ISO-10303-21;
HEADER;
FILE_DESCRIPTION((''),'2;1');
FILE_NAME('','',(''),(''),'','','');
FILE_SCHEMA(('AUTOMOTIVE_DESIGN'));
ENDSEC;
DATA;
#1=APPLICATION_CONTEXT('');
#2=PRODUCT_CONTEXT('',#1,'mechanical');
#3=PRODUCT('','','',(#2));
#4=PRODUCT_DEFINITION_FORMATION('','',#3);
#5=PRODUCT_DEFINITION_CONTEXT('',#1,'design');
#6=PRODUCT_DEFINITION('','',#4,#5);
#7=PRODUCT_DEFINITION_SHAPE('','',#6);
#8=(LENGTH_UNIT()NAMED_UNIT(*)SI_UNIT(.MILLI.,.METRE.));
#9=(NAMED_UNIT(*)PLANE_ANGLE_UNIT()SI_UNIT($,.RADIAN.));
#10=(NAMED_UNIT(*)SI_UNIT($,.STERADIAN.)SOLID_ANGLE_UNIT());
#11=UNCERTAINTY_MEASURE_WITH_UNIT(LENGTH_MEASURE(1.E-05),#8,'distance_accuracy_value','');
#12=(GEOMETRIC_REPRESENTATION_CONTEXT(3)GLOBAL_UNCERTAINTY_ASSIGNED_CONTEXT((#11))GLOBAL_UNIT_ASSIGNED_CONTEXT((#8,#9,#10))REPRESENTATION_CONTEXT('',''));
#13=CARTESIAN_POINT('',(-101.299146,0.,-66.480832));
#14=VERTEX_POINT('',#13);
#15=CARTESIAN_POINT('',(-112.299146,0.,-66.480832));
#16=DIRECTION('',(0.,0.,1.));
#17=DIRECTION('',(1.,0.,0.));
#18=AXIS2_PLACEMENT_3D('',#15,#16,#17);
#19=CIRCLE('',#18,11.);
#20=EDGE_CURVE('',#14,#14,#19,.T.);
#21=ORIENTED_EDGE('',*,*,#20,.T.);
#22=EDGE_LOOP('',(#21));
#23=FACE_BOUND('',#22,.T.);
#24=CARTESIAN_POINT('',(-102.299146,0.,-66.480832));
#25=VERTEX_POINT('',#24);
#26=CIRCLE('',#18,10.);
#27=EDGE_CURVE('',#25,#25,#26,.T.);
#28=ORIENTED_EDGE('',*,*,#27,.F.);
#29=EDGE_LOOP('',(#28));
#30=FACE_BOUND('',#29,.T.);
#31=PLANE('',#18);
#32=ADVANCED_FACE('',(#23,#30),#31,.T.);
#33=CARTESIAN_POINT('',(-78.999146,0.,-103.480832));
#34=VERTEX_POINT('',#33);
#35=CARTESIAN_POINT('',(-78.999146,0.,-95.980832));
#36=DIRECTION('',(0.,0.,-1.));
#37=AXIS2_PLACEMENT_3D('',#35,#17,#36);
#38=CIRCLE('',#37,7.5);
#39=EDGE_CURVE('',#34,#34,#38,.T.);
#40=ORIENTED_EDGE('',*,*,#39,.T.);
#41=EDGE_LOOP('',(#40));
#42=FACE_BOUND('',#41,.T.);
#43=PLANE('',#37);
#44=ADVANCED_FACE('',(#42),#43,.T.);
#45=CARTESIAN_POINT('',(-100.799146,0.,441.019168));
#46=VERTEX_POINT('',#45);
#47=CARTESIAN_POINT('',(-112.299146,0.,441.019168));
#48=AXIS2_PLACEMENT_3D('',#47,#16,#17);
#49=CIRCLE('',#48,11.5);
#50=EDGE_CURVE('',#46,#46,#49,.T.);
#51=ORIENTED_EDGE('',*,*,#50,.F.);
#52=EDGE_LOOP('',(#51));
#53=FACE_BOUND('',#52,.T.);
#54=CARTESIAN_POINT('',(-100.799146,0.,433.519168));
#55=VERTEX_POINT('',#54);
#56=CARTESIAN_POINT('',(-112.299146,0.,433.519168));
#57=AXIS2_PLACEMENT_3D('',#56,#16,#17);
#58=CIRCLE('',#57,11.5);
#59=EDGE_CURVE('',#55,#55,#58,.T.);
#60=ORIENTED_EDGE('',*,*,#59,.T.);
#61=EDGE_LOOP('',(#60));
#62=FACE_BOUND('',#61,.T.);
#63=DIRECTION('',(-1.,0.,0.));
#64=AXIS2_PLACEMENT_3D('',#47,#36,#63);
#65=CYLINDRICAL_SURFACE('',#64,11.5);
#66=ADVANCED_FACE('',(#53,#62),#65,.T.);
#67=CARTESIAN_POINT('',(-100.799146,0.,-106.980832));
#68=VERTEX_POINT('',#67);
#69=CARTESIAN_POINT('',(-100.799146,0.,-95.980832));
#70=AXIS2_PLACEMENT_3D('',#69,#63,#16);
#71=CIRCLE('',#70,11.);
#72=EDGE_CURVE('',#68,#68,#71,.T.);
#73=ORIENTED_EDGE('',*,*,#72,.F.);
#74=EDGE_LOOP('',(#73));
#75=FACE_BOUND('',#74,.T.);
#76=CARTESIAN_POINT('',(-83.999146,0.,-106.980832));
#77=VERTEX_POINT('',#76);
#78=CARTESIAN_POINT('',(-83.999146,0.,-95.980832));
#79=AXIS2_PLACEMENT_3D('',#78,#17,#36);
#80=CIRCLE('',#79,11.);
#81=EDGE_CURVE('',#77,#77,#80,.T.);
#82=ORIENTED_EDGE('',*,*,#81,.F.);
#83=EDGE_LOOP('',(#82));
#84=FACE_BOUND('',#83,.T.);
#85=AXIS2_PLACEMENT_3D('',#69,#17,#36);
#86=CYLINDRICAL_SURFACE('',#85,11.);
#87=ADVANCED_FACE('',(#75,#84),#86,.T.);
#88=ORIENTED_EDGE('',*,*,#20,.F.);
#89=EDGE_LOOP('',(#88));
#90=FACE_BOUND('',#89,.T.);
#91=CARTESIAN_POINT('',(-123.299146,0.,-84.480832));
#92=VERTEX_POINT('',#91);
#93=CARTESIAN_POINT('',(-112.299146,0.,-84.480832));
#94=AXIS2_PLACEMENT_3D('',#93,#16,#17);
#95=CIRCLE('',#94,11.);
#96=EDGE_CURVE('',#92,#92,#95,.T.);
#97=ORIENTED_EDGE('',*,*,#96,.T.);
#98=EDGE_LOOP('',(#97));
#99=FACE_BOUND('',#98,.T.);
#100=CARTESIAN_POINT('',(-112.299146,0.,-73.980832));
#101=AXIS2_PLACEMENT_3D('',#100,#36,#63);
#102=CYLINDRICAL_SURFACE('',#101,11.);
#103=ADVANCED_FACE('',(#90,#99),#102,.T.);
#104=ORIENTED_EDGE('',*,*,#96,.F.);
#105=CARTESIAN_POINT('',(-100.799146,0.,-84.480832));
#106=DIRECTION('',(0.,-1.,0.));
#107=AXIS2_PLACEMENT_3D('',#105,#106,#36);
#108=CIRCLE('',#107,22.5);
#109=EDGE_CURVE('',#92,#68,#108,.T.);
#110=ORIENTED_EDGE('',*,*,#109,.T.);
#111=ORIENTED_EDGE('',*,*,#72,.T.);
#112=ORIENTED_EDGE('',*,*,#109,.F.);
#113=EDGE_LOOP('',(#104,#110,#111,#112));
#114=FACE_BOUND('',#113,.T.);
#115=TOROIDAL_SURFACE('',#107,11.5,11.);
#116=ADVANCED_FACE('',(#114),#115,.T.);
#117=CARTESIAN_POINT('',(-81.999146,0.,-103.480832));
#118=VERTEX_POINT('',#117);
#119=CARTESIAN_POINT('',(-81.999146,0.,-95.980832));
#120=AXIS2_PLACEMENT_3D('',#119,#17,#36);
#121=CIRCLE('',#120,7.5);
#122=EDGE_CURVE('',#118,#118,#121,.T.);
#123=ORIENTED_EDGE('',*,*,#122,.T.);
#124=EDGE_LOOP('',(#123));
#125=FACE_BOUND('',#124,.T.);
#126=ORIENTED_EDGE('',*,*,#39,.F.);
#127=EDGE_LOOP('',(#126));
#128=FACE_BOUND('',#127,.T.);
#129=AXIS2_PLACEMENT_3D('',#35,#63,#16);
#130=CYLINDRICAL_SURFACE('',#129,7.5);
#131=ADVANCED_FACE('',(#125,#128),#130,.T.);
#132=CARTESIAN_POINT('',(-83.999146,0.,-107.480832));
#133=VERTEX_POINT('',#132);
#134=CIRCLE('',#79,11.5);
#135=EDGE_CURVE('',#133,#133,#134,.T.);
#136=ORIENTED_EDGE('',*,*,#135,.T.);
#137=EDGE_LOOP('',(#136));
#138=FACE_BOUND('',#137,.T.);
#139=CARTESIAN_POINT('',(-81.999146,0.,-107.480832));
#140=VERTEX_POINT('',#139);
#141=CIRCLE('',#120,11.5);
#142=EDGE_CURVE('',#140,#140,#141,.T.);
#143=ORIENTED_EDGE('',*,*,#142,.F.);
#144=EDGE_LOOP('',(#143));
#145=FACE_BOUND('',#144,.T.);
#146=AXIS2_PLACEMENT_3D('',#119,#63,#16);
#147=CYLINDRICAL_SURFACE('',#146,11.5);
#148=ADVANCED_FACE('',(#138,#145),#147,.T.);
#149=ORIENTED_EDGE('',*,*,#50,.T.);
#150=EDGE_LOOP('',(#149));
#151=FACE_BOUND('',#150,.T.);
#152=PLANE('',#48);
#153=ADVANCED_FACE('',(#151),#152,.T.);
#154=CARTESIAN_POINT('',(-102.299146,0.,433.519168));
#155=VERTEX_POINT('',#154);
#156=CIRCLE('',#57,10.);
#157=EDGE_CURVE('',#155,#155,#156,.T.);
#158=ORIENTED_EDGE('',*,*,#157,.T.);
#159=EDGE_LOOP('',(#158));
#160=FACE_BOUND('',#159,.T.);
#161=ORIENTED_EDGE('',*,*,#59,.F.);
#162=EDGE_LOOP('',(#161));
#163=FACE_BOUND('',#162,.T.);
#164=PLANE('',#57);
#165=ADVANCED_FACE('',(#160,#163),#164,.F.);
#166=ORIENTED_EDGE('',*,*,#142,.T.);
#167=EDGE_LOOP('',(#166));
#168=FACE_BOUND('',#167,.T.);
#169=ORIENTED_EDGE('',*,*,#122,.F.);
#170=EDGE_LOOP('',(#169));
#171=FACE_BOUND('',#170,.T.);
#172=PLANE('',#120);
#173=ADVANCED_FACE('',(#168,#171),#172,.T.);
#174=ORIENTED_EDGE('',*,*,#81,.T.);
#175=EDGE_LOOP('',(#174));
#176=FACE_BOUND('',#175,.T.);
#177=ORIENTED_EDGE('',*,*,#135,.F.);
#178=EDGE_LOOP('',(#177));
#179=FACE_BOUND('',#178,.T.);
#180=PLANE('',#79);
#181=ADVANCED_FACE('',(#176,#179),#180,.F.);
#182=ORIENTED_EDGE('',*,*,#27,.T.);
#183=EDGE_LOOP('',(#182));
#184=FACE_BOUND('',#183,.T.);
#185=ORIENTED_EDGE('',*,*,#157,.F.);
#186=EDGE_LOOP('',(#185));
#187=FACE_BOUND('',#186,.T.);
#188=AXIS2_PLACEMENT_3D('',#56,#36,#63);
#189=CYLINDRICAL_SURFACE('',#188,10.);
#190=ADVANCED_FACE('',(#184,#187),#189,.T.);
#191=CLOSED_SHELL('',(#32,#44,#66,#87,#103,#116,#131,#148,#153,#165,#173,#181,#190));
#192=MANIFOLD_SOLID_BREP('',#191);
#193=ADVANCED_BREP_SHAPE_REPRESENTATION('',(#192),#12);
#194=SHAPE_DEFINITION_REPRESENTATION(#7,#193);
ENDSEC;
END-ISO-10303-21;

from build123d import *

# Parameters (mm, degrees)
SWEEP1_PROFILE_R    = 11
SKETCH34_R          = 11
BOSS_EXTRUDE1_DEPTH = 7.5
SKETCH41_R          = 11.5
BOSS_EXTRUDE2_DEPTH = 2
SKETCH42_R          = 10
BOSS_EXTRUDE3_DEPTH = 500
SKETCH43_R          = 11.5
BOSS_EXTRUDE4_DEPTH = 7.5
SKETCH129_R         = 7.5
BOSS_EXTRUDE5_DEPTH = 3


with BuildPart() as part:
    # Sweep1: sweep along a path in Sketch1
    with BuildLine(Plane(origin=(0, 0, 0), x_dir=(1, 0, 0), z_dir=(0, 1, 0))) as sweep1_path:
        Line((-112.299146126, 73.980831747), (-112.299146126, 84.480831747))
        ThreePointArc((-112.299146126, 84.480831747), (-108.93087411, 92.612559731), (-100.799146126, 95.980831747))
        Line((-100.799146126, 95.980831747), (-83.999146126, 95.980831747))
    # Sweep1 profile (on start of the path) → Sweep1 (sweep)
    with BuildSketch(Plane(origin=(-112.299146126, 0, -73.980831747), x_dir=(-1, 0, 0), z_dir=(0, 0, -1))):
        Circle(SWEEP1_PROFILE_R)
    sweep(path=sweep1_path.line)

    # Sketch34 → Boss-Extrude1 (add)
    with BuildSketch(Plane.XY.offset(-73.980831747)):
        with Locations((-112.299146126, 0)):
            Circle(SKETCH34_R)
    extrude(amount=BOSS_EXTRUDE1_DEPTH)

    # Sketch41 → Boss-Extrude2 (add)
    with BuildSketch(Plane(origin=(-83.999146126, 0, 0), x_dir=(0, 0, -1), z_dir=(1, 0, 0))):
        with Locations((95.980831747, 0)):
            Circle(SKETCH41_R)
    extrude(amount=BOSS_EXTRUDE2_DEPTH)

    # Sketch42 → Boss-Extrude3 (add)
    with BuildSketch(Plane.XY.offset(-66.480831747)):
        with Locations((-112.299146126, 0)):
            Circle(SKETCH42_R)
    extrude(amount=BOSS_EXTRUDE3_DEPTH)

    # Sketch43 → Boss-Extrude4 (add)
    with BuildSketch(Plane.XY.offset(433.519168253)):
        with Locations((-112.299146126, 0)):
            Circle(SKETCH43_R)
    extrude(amount=BOSS_EXTRUDE4_DEPTH)

    # Sketch129 → Boss-Extrude5 (add)
    with BuildSketch(Plane(origin=(-81.999146126, 0, 0), x_dir=(0, 0, -1), z_dir=(1, 0, 0))):
        with Locations((95.980831747, 0)):
            Circle(SKETCH129_R)
    extrude(amount=BOSS_EXTRUDE5_DEPTH)


solid = part.part
